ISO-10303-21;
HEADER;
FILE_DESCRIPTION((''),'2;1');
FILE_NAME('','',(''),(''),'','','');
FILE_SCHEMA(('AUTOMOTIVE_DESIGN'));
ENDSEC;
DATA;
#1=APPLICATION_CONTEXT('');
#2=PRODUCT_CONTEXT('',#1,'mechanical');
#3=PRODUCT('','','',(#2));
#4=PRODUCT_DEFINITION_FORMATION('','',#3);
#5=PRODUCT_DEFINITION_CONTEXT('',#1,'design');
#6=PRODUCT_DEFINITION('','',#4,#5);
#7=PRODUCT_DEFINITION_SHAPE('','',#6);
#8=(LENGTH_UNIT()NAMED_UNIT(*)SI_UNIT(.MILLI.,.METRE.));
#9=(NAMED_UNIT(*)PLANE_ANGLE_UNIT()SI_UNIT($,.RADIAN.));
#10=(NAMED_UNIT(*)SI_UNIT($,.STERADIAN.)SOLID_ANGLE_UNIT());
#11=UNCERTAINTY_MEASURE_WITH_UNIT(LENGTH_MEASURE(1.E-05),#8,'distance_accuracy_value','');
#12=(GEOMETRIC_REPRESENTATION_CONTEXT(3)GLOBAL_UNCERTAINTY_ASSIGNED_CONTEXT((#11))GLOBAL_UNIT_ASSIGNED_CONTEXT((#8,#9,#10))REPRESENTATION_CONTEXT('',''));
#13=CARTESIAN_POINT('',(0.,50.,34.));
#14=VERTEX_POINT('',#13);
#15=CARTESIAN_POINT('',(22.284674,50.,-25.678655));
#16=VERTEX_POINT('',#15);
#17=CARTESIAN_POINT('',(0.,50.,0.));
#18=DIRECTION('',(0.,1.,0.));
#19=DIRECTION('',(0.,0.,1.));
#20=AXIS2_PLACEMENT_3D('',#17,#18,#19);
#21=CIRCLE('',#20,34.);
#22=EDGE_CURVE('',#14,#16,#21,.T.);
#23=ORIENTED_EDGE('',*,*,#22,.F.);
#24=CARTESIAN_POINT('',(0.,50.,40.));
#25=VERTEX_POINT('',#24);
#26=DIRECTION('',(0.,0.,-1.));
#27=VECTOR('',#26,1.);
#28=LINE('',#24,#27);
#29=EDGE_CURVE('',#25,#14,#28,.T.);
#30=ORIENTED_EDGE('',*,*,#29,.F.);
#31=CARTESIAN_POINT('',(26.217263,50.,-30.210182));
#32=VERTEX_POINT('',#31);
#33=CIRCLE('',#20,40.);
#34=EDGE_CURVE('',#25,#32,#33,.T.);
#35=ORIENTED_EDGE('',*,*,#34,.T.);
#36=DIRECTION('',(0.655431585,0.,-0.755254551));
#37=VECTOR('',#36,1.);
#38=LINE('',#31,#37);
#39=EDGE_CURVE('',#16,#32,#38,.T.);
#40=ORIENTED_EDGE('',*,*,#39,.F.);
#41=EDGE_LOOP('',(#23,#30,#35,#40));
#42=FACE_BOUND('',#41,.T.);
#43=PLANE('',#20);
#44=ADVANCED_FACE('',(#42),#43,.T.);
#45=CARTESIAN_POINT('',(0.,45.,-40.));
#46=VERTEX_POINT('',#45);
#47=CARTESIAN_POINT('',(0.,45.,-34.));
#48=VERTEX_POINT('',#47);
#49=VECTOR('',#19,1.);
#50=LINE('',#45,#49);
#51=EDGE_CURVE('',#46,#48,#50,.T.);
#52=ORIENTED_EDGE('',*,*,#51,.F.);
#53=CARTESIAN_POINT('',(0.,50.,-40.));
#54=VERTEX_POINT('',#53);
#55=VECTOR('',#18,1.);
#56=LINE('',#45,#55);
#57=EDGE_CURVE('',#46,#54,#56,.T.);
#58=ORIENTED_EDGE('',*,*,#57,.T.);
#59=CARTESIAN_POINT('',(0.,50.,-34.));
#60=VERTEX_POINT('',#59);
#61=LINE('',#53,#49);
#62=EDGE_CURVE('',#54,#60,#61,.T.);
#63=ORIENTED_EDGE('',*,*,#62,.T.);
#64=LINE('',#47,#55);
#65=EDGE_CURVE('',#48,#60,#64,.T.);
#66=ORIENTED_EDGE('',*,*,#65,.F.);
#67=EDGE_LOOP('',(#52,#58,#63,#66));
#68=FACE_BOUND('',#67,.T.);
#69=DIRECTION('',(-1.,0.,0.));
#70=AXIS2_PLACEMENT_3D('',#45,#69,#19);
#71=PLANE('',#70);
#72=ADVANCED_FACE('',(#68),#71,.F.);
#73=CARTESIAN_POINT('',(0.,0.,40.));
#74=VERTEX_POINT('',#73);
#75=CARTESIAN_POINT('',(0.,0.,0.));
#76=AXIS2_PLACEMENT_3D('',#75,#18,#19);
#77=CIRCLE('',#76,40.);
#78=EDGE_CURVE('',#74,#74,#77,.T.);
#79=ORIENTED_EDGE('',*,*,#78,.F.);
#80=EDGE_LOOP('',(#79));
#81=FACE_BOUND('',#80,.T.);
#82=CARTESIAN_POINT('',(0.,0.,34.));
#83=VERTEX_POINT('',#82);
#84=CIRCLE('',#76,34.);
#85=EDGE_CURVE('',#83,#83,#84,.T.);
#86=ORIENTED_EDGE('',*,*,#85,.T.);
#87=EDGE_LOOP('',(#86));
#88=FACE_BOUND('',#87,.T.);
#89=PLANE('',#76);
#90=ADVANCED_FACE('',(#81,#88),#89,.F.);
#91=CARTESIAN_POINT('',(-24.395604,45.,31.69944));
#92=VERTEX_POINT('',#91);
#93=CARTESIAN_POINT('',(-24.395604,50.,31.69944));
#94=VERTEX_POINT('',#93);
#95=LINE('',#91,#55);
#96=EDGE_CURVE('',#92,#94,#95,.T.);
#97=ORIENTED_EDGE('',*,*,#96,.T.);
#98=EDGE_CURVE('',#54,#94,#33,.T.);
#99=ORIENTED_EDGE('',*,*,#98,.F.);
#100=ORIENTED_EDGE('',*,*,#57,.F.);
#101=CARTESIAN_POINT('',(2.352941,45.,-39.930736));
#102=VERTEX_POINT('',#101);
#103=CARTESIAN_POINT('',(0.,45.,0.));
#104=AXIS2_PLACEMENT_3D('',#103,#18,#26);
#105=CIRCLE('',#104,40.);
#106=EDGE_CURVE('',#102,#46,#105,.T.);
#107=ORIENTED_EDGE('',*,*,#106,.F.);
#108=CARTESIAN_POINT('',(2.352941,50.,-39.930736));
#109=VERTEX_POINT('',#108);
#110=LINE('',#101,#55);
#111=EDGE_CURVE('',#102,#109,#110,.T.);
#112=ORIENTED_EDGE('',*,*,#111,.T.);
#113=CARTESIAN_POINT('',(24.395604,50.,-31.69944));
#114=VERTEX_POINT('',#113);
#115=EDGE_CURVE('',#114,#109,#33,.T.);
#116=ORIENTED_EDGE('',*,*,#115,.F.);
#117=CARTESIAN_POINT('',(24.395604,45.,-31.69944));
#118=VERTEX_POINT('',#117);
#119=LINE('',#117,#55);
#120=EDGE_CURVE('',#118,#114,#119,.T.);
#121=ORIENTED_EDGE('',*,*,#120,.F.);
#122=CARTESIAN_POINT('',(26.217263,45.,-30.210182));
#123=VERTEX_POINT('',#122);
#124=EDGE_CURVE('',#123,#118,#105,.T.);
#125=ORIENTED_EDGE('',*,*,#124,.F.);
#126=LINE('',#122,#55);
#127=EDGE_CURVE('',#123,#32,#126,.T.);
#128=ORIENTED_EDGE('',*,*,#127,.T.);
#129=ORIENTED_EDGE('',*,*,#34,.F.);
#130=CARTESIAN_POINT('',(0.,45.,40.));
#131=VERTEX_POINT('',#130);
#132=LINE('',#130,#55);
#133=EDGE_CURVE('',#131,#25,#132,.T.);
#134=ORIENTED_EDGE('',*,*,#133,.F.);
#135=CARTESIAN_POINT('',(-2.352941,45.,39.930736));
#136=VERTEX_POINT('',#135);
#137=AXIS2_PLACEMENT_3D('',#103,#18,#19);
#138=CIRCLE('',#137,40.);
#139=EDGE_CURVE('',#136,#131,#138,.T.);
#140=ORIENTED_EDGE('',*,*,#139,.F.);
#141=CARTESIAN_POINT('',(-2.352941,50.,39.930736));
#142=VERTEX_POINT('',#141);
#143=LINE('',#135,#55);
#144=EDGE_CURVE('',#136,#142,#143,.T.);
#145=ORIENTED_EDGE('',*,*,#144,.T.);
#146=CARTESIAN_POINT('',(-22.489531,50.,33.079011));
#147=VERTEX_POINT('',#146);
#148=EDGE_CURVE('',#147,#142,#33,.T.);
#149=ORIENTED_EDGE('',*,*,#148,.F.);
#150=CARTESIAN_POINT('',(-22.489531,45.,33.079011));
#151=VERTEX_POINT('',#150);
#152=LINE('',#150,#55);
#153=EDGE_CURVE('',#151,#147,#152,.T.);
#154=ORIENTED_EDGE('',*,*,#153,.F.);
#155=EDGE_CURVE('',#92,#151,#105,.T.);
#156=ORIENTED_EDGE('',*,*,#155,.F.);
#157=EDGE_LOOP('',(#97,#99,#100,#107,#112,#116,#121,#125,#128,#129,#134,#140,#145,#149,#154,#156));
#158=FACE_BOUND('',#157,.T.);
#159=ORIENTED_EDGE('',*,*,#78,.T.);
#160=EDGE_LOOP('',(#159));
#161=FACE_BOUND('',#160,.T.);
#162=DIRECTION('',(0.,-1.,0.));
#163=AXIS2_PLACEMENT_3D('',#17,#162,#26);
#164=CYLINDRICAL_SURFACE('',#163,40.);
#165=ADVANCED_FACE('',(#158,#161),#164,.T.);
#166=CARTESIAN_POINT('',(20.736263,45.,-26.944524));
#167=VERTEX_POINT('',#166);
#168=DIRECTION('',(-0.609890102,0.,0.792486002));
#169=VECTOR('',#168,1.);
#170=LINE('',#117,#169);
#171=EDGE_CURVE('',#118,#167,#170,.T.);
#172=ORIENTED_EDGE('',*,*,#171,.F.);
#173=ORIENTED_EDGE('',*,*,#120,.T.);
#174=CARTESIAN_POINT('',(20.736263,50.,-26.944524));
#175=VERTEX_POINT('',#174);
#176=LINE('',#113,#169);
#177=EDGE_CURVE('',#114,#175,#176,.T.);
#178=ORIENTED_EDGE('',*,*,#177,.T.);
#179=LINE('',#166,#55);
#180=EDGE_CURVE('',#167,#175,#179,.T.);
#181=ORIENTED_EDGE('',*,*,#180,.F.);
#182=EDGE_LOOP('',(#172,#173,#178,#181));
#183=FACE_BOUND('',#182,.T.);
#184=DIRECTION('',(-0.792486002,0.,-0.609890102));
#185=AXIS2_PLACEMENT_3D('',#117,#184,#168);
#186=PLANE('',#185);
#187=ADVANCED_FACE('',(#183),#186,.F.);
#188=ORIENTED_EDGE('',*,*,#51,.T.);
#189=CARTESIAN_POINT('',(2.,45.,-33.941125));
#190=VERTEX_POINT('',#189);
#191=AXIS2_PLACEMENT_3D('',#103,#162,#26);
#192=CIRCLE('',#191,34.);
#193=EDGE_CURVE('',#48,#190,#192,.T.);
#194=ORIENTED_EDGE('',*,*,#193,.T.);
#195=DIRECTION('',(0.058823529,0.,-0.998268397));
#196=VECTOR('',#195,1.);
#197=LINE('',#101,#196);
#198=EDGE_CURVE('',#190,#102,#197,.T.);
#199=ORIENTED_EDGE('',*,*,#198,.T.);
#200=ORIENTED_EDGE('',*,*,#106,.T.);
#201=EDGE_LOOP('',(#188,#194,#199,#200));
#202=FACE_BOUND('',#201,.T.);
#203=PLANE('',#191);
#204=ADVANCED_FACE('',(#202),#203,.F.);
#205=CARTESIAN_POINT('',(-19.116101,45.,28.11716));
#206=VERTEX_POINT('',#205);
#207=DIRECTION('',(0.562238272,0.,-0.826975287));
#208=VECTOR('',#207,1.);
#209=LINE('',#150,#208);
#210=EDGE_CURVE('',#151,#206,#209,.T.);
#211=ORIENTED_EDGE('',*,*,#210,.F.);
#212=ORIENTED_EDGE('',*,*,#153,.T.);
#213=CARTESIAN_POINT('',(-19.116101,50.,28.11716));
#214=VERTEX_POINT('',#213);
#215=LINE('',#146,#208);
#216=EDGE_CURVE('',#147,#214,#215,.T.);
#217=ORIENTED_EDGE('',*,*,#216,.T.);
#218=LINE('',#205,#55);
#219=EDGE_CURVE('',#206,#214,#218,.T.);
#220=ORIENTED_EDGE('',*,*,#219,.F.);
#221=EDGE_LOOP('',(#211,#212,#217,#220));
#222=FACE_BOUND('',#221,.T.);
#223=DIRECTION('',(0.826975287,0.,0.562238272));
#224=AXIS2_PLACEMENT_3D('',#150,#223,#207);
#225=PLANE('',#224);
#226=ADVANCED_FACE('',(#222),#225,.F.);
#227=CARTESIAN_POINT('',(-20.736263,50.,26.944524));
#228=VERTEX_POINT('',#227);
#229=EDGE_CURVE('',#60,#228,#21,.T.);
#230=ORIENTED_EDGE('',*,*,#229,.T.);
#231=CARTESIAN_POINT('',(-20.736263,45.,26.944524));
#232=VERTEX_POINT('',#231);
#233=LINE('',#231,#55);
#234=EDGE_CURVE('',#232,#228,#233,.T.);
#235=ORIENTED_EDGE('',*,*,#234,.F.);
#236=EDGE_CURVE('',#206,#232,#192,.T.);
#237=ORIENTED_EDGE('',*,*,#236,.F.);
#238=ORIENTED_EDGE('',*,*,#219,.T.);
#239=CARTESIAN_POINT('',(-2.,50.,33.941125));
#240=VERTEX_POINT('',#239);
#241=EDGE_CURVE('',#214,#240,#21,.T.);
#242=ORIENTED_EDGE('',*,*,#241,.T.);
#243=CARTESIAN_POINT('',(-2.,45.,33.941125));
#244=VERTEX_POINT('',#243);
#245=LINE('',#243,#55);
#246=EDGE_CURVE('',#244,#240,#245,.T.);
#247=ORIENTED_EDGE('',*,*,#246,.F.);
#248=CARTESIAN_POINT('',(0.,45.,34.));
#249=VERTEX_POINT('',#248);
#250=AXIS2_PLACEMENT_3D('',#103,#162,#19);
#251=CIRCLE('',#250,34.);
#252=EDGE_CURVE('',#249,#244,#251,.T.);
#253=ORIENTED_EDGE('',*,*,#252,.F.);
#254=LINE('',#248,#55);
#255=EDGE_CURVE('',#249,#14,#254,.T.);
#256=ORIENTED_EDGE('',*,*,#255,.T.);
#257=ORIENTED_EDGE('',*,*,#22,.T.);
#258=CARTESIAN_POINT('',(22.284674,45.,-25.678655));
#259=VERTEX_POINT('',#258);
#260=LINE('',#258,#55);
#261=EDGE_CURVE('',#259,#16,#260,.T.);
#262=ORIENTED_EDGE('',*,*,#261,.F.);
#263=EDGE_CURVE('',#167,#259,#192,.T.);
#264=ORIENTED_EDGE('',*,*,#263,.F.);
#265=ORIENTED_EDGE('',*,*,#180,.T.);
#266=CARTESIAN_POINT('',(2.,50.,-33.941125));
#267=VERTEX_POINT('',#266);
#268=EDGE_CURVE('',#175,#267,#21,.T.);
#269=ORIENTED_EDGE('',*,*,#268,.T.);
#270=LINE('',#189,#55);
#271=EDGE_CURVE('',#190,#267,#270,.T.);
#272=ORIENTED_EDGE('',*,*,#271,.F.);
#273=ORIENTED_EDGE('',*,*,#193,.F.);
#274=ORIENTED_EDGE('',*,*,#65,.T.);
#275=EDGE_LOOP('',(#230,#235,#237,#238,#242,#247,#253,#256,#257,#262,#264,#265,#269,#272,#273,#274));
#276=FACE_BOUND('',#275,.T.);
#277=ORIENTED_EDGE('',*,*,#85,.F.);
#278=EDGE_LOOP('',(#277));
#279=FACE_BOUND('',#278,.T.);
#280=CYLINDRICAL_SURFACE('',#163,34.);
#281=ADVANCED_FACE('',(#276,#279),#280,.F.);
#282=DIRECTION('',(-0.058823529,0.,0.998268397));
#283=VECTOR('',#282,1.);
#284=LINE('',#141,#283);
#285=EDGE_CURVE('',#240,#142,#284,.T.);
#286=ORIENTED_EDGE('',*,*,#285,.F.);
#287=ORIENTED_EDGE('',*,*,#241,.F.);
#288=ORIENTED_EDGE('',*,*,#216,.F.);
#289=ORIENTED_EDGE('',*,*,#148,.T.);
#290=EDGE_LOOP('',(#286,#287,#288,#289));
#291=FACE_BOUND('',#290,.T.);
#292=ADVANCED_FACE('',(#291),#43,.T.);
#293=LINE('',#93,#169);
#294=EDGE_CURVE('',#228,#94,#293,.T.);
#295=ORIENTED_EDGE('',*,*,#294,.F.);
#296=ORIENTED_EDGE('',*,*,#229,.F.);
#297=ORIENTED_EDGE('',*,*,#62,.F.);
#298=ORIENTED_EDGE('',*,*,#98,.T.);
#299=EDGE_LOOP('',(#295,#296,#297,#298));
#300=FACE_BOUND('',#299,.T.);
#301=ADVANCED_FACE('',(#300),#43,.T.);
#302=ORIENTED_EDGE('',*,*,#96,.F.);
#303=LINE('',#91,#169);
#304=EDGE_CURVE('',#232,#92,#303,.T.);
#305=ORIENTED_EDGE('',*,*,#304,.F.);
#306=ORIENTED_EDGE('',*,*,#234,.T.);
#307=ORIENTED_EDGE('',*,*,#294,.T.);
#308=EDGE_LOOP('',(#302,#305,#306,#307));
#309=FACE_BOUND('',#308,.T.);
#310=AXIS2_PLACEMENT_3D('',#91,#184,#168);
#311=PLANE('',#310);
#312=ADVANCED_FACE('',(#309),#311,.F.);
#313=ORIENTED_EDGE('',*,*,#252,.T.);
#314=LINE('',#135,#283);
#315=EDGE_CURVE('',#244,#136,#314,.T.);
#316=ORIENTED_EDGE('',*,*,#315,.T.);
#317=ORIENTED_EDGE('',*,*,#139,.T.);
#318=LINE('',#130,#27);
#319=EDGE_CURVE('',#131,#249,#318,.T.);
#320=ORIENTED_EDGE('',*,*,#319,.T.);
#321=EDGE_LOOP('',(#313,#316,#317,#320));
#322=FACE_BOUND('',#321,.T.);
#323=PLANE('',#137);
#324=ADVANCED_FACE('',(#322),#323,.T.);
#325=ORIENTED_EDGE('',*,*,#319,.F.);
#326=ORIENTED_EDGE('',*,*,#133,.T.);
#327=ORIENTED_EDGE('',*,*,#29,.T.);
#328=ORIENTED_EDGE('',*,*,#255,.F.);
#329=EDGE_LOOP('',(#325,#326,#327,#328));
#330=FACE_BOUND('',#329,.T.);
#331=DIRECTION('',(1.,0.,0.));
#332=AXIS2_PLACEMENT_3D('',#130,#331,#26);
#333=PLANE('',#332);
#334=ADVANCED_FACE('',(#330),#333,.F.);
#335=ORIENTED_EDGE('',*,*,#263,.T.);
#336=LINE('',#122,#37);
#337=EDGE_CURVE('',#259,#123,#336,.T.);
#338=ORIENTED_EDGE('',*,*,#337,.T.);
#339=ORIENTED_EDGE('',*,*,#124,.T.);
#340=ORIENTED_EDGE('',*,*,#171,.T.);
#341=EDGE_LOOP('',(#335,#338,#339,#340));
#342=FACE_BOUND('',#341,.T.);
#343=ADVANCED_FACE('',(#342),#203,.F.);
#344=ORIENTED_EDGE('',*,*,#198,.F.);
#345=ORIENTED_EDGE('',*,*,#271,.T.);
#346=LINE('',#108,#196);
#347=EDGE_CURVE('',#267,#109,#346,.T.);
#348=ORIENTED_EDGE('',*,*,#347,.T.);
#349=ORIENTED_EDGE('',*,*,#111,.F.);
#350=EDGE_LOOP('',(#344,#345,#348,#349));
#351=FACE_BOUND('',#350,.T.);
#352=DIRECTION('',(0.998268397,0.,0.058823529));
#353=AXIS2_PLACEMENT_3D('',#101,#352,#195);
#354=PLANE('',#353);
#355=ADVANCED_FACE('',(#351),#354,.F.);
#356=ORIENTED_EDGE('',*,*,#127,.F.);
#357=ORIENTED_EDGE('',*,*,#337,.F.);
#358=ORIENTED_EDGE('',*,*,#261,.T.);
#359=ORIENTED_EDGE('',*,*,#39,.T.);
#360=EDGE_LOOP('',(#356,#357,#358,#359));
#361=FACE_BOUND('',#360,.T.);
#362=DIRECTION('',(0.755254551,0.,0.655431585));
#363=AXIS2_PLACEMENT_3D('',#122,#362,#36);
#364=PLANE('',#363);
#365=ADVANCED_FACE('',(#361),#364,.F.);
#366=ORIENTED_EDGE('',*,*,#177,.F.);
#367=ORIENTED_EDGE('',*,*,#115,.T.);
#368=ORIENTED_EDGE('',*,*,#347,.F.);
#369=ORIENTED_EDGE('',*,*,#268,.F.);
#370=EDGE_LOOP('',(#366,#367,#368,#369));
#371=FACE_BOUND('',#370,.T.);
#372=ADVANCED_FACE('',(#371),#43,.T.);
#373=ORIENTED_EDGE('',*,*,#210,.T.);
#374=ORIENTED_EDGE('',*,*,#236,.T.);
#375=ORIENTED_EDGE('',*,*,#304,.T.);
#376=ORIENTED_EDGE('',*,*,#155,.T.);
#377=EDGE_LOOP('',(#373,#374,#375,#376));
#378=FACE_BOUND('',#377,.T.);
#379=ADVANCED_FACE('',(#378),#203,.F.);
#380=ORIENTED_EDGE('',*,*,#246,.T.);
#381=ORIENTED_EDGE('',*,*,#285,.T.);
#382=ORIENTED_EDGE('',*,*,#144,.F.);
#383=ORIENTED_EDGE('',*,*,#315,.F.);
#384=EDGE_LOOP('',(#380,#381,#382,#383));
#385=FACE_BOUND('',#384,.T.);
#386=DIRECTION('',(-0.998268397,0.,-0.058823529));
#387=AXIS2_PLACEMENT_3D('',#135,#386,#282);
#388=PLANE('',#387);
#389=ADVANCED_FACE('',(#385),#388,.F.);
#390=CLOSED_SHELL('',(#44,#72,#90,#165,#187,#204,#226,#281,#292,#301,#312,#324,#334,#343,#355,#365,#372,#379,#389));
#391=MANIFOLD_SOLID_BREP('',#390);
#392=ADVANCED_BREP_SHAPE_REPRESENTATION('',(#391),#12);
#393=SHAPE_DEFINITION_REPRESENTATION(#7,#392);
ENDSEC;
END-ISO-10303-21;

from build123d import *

# Parameters (mm, degrees)
ESQUISSE1_R      = 40
ESQUISSE1_R_2    = 34
EXTRUSION1_DEPTH = 50
EXTRUSION2_DEPTH = 5


with BuildPart() as part:
    # Esquisse1 → Extrusion1 (new body)
    with BuildSketch(Plane(origin=(0, 0, 0), x_dir=(1, 0, 0), z_dir=(0, 1, 0))):
        Circle(ESQUISSE1_R)
        Circle(ESQUISSE1_R_2, mode=Mode.SUBTRACT)
    extrude(amount=EXTRUSION1_DEPTH)

    # Esquisse2 → Extrusion2 (cut)
    with BuildSketch(Plane(origin=(0, 50, 0), x_dir=(1, 0, 0), z_dir=(0, 1, 0))):
        with BuildLine():
            Line((0, -40), (0, -34))
            ThreePointArc((0, -34), (-1.000433182, -33.985278187), (-2, -33.941125497))
            Line((-2, -33.941125497), (-2.352941176, -39.930735879))
            ThreePointArc((-2.352941176, -39.930735879), (-1.176980214, -39.98268022), (0, -40))
        make_face()
        with BuildLine():
            Line((0, 40), (0, 34))
            ThreePointArc((0, 34), (1.000433182, 33.985278187), (2, 33.941125497))
            Line((2, 33.941125497), (2.352941176, 39.930735879))
            ThreePointArc((2.352941176, 39.930735879), (1.176980214, 39.98268022), (0, 40))
        make_face()
        with BuildLine():
            Line((24.395604074, 31.699440088), (20.736263463, 26.944524075))
            ThreePointArc((20.736263463, 26.944524075), (21.519778552, 26.322977245), (22.284673889, 25.678654748))
            Line((22.284673889, 25.678654748), (26.217263399, 30.210182057))
            ThreePointArc((26.217263399, 30.210182057), (25.317386532, 30.968208524), (24.395604074, 31.699440088))
        make_face()
        with BuildLine():
            Line((-22.489530894, -33.079011475), (-19.11610126, -28.117159754))
            ThreePointArc((-19.11610126, -28.117159754), (-19.934806548, -27.542757449), (-20.736263463, -26.944524075))
            Line((-20.736263463, -26.944524075), (-24.395604074, -31.699440088))
            ThreePointArc((-24.395604074, -31.699440088), (-23.452713586, -32.403244058), (-22.489530894, -33.079011475))
        make_face()
    extrude(amount=-EXTRUSION2_DEPTH, mode=Mode.SUBTRACT)


solid = part.part
